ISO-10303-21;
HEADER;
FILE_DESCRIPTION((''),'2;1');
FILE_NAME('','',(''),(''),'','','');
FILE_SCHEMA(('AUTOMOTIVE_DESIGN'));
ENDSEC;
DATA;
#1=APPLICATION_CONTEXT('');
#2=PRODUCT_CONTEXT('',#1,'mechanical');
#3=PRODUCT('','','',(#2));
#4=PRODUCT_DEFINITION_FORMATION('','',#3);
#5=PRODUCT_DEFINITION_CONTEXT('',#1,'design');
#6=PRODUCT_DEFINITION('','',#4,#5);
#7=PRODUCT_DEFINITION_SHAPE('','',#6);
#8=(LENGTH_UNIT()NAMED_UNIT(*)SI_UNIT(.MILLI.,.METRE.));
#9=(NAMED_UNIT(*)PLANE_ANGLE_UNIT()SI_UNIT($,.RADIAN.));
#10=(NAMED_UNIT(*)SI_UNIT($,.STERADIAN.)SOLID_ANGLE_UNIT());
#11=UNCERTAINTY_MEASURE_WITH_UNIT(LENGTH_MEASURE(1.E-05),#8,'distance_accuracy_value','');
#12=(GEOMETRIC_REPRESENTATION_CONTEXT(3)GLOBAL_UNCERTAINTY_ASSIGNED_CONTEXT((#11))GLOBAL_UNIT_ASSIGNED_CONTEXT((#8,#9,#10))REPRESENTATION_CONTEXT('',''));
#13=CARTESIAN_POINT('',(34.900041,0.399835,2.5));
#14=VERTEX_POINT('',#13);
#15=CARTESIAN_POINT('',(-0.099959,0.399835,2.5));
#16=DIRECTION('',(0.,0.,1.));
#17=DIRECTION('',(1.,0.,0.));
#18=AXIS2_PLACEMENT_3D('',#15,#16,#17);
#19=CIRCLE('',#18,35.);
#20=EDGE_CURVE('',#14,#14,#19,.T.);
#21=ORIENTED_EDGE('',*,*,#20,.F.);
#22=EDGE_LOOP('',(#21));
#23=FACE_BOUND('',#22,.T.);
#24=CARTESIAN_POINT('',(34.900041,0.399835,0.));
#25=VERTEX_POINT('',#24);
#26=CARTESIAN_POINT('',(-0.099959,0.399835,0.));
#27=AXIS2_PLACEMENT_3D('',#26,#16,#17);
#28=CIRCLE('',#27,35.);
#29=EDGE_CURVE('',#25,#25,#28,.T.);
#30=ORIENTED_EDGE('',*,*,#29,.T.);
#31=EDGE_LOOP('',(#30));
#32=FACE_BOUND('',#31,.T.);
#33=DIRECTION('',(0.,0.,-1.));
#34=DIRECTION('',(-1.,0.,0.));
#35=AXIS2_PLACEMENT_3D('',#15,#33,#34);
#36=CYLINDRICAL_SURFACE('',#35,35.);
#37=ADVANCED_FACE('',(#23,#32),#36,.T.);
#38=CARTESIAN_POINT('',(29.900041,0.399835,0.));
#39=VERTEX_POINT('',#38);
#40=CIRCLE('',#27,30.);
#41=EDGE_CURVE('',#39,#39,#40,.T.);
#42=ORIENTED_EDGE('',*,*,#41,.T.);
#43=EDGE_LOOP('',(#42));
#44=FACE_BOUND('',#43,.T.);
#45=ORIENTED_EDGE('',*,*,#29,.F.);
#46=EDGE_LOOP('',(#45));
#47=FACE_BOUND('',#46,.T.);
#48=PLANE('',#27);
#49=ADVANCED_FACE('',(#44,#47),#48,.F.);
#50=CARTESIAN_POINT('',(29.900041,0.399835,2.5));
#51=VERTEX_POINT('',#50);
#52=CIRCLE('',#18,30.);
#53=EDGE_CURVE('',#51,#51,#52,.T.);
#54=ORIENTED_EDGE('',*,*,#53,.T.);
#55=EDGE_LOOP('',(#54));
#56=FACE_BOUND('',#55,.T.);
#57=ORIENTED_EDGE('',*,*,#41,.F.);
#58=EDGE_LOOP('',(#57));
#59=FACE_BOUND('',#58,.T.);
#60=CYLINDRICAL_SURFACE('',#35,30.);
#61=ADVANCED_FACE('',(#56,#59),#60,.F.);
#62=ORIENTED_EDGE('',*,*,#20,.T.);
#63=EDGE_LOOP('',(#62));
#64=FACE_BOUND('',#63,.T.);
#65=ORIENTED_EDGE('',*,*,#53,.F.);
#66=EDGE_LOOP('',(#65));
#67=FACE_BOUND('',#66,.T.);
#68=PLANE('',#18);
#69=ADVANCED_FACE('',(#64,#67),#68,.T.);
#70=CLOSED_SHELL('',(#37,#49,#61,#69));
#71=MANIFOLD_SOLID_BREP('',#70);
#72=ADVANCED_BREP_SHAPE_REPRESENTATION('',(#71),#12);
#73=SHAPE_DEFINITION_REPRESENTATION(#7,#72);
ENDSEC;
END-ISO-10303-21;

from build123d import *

# Parameters (mm, degrees)
ESQUISSE1_R        = 35
ESQUISSE1_R_2      = 30
BOSS_EXTRU_1_DEPTH = 2.5


with BuildPart() as part:
    # Esquisse1 → Boss.-Extru.1 (new body)
    with BuildSketch(Plane.XY):
        with Locations((-0.099958724, 0.399834896)):
            Circle(ESQUISSE1_R)
        with Locations((-0.099958724, 0.399834896)):
            Circle(ESQUISSE1_R_2, mode=Mode.SUBTRACT)
    extrude(amount=BOSS_EXTRU_1_DEPTH)


solid = part.part
